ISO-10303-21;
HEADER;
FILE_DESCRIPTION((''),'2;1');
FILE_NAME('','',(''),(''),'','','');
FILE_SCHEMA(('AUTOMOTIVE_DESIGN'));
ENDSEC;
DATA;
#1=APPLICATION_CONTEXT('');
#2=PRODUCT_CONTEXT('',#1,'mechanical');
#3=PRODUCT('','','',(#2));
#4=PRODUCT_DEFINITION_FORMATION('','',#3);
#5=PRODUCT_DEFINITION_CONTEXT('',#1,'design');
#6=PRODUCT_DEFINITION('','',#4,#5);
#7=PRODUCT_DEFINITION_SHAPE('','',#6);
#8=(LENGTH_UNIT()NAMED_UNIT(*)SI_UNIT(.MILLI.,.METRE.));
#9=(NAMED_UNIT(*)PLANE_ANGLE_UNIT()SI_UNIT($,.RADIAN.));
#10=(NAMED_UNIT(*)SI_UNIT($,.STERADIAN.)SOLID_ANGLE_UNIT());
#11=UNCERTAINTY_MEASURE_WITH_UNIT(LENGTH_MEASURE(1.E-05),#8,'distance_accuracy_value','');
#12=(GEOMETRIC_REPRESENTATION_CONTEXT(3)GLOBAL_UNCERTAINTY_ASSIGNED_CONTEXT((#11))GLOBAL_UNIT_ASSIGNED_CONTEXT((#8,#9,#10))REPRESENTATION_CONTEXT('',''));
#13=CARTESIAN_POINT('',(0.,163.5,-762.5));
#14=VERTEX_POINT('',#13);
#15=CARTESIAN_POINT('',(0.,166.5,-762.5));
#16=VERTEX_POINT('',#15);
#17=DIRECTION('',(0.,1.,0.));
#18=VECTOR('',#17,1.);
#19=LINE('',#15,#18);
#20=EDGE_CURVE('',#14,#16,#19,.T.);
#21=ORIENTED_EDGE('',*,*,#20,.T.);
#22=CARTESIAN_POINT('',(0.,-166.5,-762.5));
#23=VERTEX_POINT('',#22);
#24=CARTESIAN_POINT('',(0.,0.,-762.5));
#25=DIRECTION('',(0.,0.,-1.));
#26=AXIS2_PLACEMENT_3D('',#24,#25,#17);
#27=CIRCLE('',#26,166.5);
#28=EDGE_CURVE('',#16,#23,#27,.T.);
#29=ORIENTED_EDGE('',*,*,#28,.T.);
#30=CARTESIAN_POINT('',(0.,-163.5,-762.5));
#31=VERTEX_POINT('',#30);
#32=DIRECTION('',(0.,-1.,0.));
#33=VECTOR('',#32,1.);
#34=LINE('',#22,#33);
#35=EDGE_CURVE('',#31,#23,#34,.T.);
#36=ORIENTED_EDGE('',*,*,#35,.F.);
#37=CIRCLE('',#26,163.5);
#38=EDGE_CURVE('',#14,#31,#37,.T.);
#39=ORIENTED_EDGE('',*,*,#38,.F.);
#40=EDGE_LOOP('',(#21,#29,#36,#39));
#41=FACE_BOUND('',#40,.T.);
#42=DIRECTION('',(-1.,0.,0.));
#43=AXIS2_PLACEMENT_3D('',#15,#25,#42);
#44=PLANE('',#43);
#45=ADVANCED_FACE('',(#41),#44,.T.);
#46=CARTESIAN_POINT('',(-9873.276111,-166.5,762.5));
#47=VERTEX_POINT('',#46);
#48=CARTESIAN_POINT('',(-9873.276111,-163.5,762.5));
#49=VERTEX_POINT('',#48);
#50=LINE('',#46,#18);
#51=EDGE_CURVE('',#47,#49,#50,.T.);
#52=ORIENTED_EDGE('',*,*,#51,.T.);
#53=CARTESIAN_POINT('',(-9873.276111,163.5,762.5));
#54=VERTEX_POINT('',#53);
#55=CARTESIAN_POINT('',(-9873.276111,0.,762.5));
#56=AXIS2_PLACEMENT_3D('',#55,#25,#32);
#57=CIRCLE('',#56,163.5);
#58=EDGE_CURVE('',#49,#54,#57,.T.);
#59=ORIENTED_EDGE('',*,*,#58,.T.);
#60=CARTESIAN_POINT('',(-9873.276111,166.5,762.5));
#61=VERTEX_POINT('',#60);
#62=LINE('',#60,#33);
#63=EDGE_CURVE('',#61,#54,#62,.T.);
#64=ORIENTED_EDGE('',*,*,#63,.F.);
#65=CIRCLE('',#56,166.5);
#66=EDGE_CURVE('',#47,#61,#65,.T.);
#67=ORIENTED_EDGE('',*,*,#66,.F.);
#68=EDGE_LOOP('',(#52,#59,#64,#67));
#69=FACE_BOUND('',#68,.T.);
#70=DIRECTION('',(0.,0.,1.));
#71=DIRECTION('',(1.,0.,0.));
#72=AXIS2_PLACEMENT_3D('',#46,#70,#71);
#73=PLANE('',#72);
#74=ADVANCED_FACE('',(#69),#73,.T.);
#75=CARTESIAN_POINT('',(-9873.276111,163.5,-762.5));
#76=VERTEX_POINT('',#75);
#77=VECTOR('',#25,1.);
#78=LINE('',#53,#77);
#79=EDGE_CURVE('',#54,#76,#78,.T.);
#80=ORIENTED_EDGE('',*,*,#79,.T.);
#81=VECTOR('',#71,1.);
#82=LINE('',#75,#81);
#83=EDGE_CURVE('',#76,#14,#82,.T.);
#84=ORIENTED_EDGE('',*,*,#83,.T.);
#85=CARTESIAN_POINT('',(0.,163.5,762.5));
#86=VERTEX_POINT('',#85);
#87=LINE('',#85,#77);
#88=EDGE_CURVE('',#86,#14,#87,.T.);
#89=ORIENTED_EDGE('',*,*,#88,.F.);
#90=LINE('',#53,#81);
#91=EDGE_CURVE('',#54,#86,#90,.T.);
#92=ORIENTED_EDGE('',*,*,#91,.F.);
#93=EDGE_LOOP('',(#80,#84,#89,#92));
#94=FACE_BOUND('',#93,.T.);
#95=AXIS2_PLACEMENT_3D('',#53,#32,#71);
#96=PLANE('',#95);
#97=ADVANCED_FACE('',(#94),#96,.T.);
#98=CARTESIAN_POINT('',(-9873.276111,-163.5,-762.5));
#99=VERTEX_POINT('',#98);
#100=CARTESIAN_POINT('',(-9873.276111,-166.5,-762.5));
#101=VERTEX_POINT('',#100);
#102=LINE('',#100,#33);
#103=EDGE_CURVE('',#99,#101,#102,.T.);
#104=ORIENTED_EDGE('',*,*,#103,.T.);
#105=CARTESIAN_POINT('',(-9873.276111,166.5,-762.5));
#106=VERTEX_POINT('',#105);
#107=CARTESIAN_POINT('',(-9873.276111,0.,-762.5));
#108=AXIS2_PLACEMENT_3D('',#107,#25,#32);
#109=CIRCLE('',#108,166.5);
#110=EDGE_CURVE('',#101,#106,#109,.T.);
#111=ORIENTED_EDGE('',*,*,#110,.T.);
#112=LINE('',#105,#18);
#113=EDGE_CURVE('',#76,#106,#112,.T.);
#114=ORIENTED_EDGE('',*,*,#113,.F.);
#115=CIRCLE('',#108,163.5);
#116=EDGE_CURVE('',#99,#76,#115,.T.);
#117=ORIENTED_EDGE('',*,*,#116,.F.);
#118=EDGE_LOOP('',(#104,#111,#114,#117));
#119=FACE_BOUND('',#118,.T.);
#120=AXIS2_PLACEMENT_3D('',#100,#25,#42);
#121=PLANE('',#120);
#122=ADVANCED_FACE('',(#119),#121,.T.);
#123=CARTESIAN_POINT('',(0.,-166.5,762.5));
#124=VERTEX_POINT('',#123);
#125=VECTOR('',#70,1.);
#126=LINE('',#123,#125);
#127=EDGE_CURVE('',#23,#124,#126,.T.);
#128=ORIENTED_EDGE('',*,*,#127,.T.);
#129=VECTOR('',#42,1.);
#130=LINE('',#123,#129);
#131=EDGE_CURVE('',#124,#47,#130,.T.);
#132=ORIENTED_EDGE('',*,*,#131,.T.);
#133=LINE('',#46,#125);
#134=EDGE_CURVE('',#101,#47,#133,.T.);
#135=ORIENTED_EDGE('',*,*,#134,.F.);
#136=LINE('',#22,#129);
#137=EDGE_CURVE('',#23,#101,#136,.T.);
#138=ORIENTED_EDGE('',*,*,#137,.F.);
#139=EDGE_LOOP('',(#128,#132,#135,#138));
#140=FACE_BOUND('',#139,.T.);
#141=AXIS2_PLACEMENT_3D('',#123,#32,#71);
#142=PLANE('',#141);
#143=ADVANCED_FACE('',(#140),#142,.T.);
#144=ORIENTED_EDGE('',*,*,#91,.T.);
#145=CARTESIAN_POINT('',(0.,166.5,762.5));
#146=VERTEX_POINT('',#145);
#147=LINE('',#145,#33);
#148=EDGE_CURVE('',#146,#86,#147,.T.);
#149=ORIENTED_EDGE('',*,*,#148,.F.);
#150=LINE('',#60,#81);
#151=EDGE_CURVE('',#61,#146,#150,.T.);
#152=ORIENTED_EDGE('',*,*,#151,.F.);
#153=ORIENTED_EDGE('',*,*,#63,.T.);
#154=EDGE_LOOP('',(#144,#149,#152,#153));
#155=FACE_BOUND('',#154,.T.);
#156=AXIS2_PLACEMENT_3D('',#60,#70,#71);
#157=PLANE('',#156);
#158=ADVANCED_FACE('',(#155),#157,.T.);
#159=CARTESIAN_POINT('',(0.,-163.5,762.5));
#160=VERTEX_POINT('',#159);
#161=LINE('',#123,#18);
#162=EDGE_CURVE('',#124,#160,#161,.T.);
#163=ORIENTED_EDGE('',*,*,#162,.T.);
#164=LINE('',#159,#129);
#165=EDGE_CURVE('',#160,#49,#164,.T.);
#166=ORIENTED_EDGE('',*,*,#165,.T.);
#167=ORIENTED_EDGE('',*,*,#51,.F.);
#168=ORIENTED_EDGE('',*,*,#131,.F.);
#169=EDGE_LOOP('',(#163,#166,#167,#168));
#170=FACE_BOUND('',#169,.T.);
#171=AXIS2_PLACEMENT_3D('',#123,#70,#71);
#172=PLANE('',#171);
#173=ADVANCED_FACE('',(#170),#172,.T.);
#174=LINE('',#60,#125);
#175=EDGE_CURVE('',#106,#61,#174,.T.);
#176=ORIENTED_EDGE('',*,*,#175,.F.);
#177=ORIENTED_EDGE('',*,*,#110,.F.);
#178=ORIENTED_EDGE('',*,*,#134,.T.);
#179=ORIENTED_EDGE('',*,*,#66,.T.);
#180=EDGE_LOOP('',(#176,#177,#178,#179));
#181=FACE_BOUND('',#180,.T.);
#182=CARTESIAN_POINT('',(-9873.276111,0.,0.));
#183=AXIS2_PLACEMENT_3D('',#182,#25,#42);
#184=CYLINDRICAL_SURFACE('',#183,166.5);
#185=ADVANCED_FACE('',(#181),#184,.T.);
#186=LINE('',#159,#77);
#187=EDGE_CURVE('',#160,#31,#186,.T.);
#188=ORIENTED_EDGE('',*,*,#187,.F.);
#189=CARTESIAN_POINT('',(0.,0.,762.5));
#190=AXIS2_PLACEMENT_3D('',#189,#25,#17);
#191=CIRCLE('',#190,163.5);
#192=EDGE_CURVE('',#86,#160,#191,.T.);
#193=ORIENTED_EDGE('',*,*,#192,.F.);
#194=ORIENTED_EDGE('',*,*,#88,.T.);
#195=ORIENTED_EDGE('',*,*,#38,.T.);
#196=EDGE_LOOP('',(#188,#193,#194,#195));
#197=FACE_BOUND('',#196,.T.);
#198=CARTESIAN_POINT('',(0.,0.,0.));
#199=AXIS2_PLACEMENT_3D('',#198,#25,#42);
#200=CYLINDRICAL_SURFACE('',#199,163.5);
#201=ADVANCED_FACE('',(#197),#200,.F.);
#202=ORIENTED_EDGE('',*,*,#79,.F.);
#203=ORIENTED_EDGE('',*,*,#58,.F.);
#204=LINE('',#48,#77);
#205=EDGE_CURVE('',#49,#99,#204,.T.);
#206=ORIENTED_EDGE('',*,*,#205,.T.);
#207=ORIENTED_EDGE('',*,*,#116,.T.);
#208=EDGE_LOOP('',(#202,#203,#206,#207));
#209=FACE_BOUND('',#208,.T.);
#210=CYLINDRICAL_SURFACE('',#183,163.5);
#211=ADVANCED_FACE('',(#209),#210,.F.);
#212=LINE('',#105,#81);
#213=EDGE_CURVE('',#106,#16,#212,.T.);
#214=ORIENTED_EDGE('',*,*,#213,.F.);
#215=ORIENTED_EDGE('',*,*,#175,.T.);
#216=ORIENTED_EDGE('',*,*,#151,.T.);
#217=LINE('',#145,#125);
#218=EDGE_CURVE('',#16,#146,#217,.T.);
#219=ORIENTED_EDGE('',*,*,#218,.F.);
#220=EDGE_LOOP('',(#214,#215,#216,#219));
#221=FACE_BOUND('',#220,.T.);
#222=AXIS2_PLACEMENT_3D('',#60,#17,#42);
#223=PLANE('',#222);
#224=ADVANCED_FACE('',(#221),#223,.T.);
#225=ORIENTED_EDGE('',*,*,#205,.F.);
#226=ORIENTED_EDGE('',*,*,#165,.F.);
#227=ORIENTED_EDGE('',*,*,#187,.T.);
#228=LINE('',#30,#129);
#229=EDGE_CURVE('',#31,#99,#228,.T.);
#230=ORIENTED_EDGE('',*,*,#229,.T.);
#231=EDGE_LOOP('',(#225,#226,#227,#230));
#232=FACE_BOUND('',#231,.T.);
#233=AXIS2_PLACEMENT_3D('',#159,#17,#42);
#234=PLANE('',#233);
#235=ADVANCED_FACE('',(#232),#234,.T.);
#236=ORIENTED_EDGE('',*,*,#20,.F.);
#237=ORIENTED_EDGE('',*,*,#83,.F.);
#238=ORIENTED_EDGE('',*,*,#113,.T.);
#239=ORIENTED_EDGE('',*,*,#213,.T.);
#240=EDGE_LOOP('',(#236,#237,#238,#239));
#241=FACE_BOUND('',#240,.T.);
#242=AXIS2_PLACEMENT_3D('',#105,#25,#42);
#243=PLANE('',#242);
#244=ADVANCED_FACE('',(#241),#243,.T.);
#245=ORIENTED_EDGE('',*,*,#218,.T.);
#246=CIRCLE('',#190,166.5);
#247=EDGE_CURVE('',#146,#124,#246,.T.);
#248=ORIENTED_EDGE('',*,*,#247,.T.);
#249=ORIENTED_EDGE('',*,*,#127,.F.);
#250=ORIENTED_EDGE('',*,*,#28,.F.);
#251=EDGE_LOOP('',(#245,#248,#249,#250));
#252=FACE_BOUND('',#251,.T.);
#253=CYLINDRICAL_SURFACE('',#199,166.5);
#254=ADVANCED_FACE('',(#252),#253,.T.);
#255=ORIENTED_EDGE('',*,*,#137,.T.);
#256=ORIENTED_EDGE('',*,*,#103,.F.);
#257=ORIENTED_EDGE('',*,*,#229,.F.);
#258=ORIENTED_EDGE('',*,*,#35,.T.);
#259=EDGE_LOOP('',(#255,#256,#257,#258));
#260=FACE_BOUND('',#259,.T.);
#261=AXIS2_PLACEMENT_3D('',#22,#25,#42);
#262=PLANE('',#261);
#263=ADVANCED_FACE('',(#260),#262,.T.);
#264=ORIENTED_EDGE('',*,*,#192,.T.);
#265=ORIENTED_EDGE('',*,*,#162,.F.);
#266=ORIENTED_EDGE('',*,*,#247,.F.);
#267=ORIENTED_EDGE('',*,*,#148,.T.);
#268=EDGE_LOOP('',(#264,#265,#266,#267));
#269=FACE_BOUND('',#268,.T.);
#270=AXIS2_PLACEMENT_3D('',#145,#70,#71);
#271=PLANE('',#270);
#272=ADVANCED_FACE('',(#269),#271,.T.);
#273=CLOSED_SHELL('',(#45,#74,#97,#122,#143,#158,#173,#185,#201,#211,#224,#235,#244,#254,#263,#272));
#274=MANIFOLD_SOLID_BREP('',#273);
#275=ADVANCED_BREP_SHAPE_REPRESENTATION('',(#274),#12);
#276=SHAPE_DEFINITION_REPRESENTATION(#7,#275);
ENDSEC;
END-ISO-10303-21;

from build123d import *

# Parameters (mm, degrees)
SKETCH_3_W = 1525
SKETCH_3_H = 3


with BuildPart() as part:
    # 扫描1: sweep along a path in 草图2
    with BuildLine(Plane.XY) as sweep_1_path:
        Line((0, -165), (-9873.276111442, -165))
        ThreePointArc((-9873.276111442, -165), (-10038.276111442, 0), (-9873.276111442, 165))
        Line((-9873.276111442, 165), (0, 165))
        ThreePointArc((0, 165), (165, 0), (0, -165))
    # 草图3 → 扫描1 (sweep)
    with BuildSketch(Plane(origin=(0, 0, 0), x_dir=(0, 0, -1), z_dir=(1, 0, 0))):
        with Locations((0, 165)):
            Rectangle(SKETCH_3_W, SKETCH_3_H)
    sweep(path=sweep_1_path.line)


solid = part.part
